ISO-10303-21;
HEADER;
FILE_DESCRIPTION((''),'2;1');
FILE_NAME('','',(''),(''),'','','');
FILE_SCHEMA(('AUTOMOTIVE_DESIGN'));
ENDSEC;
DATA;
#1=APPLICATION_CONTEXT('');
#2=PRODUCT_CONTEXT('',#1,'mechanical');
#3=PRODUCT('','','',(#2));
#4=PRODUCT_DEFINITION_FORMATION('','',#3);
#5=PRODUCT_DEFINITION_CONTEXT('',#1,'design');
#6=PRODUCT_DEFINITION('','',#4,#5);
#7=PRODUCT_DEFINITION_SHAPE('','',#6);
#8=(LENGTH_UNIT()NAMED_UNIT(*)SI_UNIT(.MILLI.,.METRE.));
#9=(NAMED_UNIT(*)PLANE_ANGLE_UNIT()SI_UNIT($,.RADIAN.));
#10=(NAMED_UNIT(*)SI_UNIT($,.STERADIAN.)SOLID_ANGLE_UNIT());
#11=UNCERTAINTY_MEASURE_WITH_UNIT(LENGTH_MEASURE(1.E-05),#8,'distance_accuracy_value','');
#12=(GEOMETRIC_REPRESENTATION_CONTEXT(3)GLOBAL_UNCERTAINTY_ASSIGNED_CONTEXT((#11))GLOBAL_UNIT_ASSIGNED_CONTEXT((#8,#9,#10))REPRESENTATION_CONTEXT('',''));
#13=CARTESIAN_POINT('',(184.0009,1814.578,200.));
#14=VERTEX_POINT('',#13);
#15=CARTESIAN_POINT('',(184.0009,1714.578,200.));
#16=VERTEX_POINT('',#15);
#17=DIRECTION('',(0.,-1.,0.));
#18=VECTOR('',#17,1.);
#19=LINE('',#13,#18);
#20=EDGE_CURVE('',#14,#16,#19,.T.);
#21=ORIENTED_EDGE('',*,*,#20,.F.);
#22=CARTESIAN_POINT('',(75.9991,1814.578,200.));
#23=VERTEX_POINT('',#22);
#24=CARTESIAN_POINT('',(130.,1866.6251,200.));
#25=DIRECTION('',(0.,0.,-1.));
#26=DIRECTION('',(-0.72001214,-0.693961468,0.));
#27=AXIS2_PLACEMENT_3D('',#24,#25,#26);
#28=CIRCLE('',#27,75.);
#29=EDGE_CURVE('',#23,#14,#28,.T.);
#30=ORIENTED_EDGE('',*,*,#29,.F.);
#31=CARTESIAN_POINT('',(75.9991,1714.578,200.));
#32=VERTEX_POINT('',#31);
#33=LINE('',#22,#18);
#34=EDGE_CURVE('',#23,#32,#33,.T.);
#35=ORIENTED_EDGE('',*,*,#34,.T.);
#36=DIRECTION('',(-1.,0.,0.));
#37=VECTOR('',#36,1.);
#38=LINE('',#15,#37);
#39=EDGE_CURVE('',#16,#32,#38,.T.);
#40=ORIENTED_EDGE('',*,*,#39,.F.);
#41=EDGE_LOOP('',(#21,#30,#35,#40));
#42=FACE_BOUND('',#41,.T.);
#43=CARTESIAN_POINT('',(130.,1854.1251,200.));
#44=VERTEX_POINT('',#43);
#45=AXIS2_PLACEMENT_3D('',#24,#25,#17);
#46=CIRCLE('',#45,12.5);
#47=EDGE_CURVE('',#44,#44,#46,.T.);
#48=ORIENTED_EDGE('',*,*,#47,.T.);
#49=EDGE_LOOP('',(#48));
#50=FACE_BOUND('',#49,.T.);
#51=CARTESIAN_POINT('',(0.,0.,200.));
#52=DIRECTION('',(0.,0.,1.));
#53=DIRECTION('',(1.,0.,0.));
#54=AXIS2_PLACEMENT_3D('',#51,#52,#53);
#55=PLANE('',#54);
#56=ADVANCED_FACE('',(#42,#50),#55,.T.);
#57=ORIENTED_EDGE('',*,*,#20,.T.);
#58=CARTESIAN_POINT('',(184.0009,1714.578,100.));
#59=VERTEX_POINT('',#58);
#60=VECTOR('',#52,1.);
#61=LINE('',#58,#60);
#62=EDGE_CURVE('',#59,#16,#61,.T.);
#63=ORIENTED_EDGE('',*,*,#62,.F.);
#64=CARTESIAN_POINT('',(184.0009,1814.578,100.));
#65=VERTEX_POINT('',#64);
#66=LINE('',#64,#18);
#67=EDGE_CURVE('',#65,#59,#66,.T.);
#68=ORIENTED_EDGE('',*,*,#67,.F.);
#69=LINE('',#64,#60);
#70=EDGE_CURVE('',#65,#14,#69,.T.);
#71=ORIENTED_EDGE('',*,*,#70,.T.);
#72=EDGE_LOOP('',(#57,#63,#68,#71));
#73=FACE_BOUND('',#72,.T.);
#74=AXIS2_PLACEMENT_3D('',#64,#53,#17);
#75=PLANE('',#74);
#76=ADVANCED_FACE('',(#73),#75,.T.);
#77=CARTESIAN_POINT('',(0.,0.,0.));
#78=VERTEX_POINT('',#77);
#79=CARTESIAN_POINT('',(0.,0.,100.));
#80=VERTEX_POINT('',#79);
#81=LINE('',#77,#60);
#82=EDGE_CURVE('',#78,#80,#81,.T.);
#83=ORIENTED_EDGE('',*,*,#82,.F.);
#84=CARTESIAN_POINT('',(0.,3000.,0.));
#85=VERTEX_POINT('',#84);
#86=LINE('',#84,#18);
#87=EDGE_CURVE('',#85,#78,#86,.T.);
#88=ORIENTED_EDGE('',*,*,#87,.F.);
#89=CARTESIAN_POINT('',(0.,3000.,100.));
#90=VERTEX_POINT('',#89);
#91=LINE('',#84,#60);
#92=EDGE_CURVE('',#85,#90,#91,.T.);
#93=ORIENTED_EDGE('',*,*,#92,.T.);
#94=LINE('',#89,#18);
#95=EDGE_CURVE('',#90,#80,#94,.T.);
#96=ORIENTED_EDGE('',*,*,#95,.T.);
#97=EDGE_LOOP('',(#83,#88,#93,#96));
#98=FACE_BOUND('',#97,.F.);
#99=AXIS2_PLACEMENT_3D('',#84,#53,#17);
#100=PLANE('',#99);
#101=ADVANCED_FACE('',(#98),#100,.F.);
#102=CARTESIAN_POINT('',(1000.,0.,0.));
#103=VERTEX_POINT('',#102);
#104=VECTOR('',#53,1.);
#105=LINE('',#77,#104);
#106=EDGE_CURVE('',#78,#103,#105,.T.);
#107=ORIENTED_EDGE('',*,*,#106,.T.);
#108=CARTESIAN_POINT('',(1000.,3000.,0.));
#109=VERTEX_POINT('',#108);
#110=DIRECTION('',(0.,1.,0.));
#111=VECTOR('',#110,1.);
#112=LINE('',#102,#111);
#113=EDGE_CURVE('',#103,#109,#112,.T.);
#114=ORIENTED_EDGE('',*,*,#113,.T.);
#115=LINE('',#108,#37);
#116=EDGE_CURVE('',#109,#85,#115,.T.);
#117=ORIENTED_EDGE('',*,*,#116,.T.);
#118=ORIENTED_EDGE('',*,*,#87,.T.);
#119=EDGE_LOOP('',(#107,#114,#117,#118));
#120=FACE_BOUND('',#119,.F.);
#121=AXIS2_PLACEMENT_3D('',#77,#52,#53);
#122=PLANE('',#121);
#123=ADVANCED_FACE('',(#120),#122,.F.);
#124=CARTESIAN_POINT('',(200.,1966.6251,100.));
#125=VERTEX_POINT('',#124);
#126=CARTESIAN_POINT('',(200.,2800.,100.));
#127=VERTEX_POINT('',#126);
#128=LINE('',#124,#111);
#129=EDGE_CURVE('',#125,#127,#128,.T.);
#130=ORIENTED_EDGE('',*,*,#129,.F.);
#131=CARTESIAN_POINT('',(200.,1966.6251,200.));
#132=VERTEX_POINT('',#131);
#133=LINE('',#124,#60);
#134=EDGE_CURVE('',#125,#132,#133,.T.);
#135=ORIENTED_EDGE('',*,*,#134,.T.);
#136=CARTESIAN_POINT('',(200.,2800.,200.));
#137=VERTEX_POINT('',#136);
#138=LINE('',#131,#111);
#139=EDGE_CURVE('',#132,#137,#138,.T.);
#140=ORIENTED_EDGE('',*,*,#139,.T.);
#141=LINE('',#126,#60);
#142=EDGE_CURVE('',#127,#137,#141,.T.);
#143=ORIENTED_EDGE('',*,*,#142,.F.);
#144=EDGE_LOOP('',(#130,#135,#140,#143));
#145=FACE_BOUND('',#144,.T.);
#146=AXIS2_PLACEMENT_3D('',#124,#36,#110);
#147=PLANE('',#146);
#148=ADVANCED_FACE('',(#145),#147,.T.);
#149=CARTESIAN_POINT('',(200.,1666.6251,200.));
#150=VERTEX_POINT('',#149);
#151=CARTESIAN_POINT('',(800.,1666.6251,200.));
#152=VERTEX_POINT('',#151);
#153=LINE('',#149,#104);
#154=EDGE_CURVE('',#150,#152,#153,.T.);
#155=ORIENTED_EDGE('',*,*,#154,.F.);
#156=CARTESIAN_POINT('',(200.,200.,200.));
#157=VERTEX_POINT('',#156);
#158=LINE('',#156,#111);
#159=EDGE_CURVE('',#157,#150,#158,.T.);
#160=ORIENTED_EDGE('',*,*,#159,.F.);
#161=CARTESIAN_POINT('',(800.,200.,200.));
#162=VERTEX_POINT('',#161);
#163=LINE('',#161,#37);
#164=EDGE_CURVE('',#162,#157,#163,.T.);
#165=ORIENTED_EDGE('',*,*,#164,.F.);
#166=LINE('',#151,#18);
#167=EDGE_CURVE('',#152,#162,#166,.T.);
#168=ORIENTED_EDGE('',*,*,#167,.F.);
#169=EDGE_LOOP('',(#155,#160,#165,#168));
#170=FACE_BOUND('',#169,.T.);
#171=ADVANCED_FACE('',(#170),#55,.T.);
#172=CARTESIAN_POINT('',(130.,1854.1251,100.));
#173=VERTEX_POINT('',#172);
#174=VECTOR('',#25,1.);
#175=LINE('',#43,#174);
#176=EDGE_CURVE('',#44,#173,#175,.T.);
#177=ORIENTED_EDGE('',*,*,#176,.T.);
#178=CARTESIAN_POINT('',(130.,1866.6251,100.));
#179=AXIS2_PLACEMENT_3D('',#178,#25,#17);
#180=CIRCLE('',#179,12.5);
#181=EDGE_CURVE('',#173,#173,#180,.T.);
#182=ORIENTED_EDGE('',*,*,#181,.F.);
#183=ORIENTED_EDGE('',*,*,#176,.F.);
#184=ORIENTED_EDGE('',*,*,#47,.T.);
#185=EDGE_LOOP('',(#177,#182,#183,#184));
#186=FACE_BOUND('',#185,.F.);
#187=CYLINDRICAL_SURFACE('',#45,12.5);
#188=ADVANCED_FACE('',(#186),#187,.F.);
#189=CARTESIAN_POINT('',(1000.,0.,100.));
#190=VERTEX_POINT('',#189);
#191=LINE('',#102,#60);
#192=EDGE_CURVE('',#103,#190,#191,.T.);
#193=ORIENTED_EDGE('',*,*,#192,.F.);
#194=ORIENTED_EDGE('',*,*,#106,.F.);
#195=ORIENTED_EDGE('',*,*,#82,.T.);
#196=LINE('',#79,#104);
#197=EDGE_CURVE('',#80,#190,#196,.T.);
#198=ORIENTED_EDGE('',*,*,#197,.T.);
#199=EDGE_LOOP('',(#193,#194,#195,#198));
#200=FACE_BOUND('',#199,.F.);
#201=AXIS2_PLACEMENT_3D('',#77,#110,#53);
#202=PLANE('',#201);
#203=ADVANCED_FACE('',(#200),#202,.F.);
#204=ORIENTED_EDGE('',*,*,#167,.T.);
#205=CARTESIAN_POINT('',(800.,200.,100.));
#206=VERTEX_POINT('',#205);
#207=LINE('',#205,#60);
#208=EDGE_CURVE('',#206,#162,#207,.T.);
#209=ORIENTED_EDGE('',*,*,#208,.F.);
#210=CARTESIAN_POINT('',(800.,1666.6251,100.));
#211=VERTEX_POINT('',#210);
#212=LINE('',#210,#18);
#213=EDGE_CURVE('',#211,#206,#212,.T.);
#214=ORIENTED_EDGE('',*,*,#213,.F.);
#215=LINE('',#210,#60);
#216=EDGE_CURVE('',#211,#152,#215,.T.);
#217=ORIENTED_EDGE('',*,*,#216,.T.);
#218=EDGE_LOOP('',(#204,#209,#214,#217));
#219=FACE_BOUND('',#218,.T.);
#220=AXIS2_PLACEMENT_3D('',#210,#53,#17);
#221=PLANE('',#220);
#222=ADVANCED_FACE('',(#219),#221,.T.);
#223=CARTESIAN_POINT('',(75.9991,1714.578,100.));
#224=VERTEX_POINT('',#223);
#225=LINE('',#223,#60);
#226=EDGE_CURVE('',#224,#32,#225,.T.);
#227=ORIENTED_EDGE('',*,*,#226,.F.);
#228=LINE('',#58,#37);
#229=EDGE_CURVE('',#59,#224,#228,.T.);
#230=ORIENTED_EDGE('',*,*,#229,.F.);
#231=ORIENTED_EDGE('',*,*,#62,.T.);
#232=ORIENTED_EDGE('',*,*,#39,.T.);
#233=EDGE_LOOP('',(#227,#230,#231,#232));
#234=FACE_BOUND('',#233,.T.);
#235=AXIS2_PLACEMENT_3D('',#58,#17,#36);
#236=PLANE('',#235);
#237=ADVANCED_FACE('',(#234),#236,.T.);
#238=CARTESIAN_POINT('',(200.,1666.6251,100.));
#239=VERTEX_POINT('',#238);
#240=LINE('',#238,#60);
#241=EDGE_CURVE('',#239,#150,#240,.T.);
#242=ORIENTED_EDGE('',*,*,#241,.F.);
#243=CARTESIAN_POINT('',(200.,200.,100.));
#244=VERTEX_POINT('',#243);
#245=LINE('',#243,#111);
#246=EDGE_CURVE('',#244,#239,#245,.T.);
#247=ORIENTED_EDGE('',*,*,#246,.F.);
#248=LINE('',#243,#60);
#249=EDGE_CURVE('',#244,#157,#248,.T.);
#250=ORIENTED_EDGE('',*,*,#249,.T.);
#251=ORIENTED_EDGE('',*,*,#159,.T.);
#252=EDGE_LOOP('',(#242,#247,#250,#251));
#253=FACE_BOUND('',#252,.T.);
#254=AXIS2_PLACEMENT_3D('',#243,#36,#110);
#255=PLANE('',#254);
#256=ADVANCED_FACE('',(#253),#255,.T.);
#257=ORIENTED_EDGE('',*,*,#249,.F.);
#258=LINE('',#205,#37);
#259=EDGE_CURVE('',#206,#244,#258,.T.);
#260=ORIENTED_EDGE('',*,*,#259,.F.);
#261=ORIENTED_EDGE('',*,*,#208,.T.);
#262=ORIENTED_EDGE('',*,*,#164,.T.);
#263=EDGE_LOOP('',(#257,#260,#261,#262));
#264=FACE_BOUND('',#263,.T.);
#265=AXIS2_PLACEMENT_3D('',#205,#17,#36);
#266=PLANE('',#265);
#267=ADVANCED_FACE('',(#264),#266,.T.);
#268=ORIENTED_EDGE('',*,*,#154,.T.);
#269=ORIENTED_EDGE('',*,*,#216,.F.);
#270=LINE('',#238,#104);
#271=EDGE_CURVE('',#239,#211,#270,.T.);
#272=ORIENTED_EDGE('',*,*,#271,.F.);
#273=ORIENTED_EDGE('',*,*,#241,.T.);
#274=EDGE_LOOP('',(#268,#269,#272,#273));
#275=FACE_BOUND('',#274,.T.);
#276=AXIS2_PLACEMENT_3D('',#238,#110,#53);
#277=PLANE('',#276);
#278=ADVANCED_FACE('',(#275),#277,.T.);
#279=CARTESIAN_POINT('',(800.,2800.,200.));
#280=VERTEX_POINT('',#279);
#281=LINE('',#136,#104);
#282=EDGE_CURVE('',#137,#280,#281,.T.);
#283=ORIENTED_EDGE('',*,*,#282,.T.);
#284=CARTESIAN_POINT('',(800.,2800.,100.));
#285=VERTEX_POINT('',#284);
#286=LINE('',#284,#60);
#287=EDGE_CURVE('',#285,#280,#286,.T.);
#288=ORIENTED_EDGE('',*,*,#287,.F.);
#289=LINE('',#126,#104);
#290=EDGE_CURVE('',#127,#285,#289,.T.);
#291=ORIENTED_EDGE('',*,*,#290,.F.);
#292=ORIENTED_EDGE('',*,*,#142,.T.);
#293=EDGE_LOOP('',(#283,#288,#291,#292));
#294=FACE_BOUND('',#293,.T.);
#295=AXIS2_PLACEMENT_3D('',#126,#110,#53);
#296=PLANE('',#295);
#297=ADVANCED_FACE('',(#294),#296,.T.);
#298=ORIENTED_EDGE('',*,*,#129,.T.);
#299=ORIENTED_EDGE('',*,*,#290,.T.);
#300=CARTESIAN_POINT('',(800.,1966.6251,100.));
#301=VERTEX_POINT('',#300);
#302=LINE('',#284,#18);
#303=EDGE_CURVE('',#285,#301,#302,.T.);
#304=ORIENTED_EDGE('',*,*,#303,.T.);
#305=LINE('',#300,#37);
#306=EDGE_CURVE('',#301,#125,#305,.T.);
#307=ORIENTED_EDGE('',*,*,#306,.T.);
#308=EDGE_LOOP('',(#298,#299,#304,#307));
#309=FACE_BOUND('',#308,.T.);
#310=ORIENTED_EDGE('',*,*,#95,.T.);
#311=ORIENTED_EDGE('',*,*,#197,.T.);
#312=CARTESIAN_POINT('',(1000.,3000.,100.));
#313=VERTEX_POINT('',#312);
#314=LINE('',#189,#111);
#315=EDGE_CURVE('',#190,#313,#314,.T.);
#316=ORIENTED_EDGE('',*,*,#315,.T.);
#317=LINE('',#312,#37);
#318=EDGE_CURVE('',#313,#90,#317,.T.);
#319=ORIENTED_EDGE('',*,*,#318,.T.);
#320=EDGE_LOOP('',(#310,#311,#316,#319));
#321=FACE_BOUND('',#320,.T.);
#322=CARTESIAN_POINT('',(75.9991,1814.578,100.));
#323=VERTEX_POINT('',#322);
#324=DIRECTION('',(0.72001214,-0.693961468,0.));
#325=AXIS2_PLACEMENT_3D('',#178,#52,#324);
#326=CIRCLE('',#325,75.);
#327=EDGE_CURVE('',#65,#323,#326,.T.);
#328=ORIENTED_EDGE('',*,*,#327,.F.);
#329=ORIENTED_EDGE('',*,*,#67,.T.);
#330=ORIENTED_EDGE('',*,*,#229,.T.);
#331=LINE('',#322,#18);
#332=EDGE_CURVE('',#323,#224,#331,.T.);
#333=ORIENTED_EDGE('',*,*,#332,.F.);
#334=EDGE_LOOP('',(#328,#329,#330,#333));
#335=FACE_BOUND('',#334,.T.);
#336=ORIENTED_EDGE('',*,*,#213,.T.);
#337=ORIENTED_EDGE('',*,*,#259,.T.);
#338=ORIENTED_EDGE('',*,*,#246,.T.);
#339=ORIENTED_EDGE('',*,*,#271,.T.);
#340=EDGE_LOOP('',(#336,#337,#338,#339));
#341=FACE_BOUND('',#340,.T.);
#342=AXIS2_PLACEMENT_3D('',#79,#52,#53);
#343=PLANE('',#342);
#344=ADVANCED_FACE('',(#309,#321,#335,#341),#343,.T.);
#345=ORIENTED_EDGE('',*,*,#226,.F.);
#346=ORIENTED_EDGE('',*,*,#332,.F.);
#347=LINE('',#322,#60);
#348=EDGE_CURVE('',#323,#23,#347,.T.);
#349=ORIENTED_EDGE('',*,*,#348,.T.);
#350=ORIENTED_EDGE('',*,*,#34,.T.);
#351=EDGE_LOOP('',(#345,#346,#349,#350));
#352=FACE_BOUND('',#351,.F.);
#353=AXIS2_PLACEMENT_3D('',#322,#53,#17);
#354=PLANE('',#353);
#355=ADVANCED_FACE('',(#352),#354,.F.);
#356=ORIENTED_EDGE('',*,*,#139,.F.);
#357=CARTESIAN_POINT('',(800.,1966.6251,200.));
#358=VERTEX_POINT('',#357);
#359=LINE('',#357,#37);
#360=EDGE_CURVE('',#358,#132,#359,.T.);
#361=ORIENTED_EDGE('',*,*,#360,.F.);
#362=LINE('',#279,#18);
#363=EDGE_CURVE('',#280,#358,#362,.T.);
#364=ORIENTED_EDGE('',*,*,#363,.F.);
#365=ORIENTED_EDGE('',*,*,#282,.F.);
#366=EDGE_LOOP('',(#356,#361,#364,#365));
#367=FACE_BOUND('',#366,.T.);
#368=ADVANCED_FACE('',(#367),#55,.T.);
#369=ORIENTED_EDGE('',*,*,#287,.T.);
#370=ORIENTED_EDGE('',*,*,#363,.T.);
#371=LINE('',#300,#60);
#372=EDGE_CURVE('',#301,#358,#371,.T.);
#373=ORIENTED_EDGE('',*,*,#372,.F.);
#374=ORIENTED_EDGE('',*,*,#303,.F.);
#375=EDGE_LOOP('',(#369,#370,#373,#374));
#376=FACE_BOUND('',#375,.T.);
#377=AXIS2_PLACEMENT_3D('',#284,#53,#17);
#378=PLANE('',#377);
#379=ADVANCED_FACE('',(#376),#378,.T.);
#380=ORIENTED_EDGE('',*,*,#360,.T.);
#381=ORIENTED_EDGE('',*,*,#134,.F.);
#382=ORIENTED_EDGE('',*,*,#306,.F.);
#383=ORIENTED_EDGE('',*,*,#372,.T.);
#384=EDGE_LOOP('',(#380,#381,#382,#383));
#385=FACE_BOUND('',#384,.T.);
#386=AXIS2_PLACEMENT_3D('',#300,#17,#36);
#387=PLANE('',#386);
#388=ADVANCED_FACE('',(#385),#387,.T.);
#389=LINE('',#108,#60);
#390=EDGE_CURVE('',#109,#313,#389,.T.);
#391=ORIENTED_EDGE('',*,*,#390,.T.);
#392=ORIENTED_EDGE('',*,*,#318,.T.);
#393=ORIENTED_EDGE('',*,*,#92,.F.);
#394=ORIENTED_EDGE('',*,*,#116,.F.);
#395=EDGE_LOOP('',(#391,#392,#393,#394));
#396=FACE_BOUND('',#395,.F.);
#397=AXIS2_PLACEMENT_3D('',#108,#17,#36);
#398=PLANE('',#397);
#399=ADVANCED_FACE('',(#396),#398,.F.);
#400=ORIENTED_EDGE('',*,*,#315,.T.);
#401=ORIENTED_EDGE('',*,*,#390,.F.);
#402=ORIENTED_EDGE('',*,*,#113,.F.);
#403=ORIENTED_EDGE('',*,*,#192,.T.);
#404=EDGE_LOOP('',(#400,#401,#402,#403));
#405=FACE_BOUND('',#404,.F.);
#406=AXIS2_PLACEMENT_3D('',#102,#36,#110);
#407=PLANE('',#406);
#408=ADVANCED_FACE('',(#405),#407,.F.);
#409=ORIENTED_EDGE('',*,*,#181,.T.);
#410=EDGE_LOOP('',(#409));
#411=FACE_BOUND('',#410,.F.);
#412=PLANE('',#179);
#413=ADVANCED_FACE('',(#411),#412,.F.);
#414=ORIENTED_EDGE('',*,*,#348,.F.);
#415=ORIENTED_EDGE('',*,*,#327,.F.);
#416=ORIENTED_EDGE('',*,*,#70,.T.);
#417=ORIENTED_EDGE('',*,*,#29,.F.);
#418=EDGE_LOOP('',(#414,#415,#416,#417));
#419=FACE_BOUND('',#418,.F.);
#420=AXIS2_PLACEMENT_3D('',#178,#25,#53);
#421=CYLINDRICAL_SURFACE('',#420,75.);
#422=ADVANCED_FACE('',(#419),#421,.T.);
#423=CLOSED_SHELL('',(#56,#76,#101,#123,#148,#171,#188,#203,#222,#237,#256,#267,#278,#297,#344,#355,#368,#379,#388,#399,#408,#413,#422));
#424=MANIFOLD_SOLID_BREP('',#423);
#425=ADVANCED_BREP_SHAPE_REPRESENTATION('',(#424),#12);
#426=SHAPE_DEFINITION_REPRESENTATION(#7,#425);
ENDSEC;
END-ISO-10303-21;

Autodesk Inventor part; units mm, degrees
ref_plane "YZ Plane" through (0, 0, 0) normal (1, 0, 0) x (0, 1, 0)
sketch "Sketch1" plane through (0, 0, 0) normal (0, 0, 1) x (1, 0, 0)
  line L0 (0, 0) -> (1000, 0)
  line L1 (1000, 0) -> (1000, 3000)
  line L2 (1000, 3000) -> (0, 3000)
  line L3 (0, 3000) -> (0, 0)
  dimension "d0" = 1000
  dimension "d1" = 3000
extrude "Extrusion1" add sketch "Sketch1" along normal blind 100
ref_plane "Work Plane1" through (0, 0, 100) normal (0, 0, 1) x (1, 0, 0)
sketch "Sketch2" plane through (0, 0, 100) normal (0, 0, 1) x (1, 0, 0)
  line L0 (200, 2800) -> (800, 2800)
  line L1 (800, 2800) -> (800, 1966.6251)
  line L2 (800, 1966.6251) -> (200, 1966.6251)
  line L3 (200, 1966.6251) -> (200, 2800)
  line L4 (200, 1666.6251) -> (800, 1666.6251)
  line L5 (800, 1666.6251) -> (800, 200)
  line L6 (800, 200) -> (200, 200)
  line L7 (200, 200) -> (200, 1666.6251)
  line L8 (1000, 3000) -> (0, 3000) projected
  line L9 (0, 3000) -> (0, 0) projected
  line L10 (1000, 0) -> (1000, 3000) projected
  line L11 (0, 0) -> (1000, 0) projected
  dimension "d5" = 200
  dimension "d6" = 200
  dimension "d7" = 200
  dimension "d8" = 300
  dimension "d9" = 200
extrude "Extrusion2" add sketch "Sketch2" along normal blind 100 contours L0 L1 L2 L3 | L4 L5 L6 L7
ref_plane "Work Plane2" through (0, 0, 100) normal (0, 0, 1) x (1, 0, 0)
sketch "Sketch3" plane through (0, 0, 100) normal (0, 0, 1) x (1, 0, 0)
  circle A0 centre (130, 1866.6251) radius 75
  line L0 (200, 2800) -> (200, 1966.6251) projected
  line L1 (200, 1966.6251) -> (800, 1966.6251) projected
  line L2 (75.9991, 1814.578) -> (75.9991, 1714.578)
  line L3 (184.0009, 1814.578) -> (184.0009, 1714.578)
  line L4 (184.0009, 1714.578) -> (75.9991, 1714.578)
  point P0 (0, 0)
  dimension "d13" = 150
  dimension "d14" = 70
  dimension "d15" = 100
  dimension "d16" = 100
  dimension "d17" = 100
extrude "Extrusion3" add sketch "Sketch3" along normal blind 100
sketch "Sketch4" plane through (0, 0, 200) normal (0, 0, 1) x (1, 0, 0)
  arc A0 (184.0009, 1814.578) -> (75.9991, 1814.578) centre (130, 1866.6251) ccw projected
  point P0 (0, 0)
hole "Hole1" at (130, 1866.6251, 200) direction (0, 0, -1) diameter 25 depth 100
properties part number "Maitri_door"
